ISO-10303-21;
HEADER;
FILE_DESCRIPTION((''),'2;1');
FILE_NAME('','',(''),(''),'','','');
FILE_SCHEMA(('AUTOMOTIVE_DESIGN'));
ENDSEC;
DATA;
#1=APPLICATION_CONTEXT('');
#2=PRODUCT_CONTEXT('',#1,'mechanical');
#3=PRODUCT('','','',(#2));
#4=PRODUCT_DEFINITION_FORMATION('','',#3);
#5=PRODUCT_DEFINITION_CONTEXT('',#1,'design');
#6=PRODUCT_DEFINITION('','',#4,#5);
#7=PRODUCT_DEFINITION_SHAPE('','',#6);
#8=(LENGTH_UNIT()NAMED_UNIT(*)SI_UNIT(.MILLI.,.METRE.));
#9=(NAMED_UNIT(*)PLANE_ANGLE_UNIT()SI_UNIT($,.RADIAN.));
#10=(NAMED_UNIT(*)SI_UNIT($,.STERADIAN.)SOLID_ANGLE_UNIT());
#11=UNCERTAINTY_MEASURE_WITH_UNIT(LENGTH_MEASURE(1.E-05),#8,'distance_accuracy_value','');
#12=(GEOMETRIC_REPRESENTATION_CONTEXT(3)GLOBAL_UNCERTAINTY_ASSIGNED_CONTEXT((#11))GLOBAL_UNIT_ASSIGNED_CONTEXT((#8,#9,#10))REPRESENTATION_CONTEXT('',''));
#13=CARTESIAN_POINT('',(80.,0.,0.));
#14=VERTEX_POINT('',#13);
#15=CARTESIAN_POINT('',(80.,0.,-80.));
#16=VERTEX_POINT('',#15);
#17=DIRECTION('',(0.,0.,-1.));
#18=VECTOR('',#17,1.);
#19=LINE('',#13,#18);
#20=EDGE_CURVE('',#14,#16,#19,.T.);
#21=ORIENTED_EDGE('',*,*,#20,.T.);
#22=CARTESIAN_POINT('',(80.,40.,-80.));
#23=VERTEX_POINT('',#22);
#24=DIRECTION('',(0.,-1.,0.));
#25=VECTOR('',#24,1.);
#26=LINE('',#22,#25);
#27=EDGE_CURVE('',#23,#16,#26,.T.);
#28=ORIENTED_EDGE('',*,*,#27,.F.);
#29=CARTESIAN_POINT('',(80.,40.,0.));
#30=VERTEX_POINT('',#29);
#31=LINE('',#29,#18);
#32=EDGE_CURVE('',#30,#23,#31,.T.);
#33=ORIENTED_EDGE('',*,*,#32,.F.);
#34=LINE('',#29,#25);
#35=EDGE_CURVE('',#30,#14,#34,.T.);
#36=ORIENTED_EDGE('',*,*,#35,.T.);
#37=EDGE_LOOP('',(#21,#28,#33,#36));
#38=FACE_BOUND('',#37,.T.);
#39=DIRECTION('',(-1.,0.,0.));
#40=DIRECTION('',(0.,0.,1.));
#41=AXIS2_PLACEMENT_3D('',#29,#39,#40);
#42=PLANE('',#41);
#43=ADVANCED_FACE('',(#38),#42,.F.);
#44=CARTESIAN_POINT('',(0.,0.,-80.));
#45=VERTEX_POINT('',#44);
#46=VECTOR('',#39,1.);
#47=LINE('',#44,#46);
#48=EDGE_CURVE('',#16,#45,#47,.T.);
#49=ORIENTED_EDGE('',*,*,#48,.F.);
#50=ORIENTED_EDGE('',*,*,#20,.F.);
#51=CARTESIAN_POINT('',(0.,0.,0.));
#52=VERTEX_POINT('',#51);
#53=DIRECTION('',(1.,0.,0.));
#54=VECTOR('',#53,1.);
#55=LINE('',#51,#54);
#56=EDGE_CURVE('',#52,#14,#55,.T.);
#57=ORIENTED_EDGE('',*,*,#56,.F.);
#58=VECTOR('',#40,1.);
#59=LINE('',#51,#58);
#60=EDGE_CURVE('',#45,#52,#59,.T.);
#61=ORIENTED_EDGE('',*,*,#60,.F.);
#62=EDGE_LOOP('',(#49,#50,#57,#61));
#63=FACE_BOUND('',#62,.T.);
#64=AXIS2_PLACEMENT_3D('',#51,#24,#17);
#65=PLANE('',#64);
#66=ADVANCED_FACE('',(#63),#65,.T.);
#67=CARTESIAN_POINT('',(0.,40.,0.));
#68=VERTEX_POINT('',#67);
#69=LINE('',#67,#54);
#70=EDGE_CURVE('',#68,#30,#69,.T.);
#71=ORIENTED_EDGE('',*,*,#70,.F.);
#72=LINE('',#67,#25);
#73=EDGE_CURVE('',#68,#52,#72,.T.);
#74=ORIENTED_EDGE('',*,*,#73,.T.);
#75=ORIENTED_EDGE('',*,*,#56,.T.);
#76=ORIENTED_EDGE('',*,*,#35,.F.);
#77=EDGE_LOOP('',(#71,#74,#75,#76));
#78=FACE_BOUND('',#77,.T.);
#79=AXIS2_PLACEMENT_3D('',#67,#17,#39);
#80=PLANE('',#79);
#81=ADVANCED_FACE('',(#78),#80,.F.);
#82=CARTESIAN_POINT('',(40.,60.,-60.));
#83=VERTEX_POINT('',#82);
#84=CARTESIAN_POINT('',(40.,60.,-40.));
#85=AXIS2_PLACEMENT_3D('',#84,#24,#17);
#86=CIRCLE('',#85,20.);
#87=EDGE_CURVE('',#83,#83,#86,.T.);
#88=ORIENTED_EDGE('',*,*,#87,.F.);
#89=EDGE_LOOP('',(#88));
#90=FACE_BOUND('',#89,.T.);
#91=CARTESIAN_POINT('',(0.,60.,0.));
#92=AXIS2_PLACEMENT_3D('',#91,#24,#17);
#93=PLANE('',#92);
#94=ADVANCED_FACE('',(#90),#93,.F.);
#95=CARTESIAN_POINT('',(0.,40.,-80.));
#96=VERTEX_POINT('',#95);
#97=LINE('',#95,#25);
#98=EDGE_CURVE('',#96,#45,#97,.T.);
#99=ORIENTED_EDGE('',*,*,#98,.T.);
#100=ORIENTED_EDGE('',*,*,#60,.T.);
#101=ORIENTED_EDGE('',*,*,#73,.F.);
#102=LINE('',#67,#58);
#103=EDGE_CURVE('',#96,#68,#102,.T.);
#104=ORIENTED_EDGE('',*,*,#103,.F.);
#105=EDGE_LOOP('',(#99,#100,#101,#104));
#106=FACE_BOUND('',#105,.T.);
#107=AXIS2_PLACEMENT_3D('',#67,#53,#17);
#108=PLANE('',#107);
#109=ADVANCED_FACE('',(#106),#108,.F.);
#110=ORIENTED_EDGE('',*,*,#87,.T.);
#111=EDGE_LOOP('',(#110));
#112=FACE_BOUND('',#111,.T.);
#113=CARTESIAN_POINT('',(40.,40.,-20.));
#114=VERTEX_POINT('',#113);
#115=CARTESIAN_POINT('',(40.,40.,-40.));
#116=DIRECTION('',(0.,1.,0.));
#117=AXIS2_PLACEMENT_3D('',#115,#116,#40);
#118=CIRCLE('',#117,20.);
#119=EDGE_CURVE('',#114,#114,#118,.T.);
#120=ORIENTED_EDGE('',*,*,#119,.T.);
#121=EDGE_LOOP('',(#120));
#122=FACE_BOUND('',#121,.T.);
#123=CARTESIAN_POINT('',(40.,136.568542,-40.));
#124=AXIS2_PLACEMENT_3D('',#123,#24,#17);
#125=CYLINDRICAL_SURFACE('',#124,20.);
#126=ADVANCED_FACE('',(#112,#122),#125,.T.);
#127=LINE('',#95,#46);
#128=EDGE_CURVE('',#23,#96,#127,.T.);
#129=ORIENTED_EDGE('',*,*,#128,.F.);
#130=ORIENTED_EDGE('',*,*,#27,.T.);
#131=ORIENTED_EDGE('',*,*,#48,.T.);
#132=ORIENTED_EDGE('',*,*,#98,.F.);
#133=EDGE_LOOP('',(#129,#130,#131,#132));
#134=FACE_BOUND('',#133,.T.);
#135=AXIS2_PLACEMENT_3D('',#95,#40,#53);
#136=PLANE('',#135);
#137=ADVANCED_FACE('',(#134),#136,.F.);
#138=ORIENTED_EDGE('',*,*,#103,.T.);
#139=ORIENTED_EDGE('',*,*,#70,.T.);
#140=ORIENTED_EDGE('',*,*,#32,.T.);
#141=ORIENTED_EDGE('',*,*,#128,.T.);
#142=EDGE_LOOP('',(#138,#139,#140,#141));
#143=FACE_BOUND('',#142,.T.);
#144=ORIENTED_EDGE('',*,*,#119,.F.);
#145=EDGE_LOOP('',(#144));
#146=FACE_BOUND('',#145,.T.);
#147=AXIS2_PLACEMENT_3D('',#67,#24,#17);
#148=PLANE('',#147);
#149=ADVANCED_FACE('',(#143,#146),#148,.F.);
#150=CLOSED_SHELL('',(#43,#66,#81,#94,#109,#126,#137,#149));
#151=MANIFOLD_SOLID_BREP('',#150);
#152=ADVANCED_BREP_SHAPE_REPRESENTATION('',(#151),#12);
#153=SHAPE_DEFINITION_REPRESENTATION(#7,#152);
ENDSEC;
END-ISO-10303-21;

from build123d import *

# Parameters (mm, degrees)
SKETCH1_W           = 80
SKETCH1_H           = 80
SKETCH1_R           = 20
BOSS_EXTRUDE1_DEPTH = 40
SKETCH1_3_R         = 20
BOSS_EXTRUDE2_DEPTH = 60


with BuildPart() as part:
    # Sketch1 → Boss-Extrude1 (new body)
    with BuildSketch(Plane(origin=(0, 0, 0), x_dir=(1, 0, 0), z_dir=(0, 1, 0))):
        with Locations((40, 40)):
            Rectangle(SKETCH1_W, SKETCH1_H)
        with Locations((40, 40)):
            Circle(SKETCH1_R, mode=Mode.SUBTRACT)
    extrude(amount=BOSS_EXTRUDE1_DEPTH)

    # Sketch1<3> → Boss-Extrude2 (add)
    with BuildSketch(Plane(origin=(0, 0, 0), x_dir=(1, 0, 0), z_dir=(0, 1, 0))):
        with Locations((40, 40)):
            Circle(SKETCH1_3_R)
    extrude(amount=BOSS_EXTRUDE2_DEPTH)


solid = part.part
